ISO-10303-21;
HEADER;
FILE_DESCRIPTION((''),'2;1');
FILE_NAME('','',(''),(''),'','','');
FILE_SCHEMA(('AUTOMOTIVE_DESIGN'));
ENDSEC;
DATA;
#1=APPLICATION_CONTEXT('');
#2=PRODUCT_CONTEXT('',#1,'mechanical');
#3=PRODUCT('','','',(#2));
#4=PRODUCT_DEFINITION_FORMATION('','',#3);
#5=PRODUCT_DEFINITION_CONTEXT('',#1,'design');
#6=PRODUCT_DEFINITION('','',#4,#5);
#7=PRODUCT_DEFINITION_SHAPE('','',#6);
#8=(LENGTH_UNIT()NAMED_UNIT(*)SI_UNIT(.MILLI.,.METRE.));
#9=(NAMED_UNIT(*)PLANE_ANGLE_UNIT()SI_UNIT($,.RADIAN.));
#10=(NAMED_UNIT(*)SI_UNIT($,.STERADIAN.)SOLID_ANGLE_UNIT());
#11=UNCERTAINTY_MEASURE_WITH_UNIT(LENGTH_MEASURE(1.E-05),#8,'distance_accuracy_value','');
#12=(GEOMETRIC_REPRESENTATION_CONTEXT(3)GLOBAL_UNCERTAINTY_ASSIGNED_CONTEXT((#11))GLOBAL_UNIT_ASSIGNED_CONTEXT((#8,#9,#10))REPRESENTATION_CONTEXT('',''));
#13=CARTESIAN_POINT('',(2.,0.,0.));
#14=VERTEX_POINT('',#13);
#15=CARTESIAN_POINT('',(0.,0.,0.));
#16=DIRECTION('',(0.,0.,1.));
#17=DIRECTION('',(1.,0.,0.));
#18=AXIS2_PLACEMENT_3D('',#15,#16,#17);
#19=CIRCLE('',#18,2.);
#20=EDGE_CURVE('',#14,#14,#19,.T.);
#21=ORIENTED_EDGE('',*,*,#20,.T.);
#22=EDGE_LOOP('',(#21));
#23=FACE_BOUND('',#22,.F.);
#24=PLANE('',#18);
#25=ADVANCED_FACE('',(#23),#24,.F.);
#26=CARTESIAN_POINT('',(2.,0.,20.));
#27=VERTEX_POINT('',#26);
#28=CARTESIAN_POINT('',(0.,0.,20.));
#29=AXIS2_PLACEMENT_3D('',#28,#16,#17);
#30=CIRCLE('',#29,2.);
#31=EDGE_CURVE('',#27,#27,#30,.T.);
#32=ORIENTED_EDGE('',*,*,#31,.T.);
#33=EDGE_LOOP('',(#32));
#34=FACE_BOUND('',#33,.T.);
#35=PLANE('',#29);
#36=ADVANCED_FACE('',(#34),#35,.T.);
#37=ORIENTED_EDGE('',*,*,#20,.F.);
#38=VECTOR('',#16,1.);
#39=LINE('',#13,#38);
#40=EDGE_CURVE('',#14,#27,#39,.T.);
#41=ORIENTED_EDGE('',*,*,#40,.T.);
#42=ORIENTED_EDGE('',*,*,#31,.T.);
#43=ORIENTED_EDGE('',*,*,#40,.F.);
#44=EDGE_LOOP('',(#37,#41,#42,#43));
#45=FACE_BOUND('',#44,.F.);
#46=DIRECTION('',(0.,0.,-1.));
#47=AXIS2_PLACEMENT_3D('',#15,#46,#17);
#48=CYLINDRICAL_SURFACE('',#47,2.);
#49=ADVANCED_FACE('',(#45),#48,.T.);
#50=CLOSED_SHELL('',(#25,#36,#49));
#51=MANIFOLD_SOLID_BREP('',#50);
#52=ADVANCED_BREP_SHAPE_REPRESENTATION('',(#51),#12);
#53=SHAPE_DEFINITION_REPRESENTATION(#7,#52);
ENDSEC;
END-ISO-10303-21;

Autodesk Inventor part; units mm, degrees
ref_plane "YZ Plane" through (0, 0, 0) normal (1, 0, 0) x (0, 1, 0)
ref_plane "XZ Plane" through (0, 0, 0) normal (0, 1, 0) x (-1, 0, 0)
ref_plane "XY Plane" through (0, 0, 0) normal (0, 0, 1) x (1, 0, 0)
sketch "スケッチ1" plane through (0, 0, 0) normal (0, 0, 1) x (1, 0, 0)
  circle A0 centre (0, 0) radius 2
  dimension "d0" = 4
extrude "押し出し1" add sketch "スケッチ1" along normal blind 20
properties part number "外周ピン" material "ステンレス鋼"
